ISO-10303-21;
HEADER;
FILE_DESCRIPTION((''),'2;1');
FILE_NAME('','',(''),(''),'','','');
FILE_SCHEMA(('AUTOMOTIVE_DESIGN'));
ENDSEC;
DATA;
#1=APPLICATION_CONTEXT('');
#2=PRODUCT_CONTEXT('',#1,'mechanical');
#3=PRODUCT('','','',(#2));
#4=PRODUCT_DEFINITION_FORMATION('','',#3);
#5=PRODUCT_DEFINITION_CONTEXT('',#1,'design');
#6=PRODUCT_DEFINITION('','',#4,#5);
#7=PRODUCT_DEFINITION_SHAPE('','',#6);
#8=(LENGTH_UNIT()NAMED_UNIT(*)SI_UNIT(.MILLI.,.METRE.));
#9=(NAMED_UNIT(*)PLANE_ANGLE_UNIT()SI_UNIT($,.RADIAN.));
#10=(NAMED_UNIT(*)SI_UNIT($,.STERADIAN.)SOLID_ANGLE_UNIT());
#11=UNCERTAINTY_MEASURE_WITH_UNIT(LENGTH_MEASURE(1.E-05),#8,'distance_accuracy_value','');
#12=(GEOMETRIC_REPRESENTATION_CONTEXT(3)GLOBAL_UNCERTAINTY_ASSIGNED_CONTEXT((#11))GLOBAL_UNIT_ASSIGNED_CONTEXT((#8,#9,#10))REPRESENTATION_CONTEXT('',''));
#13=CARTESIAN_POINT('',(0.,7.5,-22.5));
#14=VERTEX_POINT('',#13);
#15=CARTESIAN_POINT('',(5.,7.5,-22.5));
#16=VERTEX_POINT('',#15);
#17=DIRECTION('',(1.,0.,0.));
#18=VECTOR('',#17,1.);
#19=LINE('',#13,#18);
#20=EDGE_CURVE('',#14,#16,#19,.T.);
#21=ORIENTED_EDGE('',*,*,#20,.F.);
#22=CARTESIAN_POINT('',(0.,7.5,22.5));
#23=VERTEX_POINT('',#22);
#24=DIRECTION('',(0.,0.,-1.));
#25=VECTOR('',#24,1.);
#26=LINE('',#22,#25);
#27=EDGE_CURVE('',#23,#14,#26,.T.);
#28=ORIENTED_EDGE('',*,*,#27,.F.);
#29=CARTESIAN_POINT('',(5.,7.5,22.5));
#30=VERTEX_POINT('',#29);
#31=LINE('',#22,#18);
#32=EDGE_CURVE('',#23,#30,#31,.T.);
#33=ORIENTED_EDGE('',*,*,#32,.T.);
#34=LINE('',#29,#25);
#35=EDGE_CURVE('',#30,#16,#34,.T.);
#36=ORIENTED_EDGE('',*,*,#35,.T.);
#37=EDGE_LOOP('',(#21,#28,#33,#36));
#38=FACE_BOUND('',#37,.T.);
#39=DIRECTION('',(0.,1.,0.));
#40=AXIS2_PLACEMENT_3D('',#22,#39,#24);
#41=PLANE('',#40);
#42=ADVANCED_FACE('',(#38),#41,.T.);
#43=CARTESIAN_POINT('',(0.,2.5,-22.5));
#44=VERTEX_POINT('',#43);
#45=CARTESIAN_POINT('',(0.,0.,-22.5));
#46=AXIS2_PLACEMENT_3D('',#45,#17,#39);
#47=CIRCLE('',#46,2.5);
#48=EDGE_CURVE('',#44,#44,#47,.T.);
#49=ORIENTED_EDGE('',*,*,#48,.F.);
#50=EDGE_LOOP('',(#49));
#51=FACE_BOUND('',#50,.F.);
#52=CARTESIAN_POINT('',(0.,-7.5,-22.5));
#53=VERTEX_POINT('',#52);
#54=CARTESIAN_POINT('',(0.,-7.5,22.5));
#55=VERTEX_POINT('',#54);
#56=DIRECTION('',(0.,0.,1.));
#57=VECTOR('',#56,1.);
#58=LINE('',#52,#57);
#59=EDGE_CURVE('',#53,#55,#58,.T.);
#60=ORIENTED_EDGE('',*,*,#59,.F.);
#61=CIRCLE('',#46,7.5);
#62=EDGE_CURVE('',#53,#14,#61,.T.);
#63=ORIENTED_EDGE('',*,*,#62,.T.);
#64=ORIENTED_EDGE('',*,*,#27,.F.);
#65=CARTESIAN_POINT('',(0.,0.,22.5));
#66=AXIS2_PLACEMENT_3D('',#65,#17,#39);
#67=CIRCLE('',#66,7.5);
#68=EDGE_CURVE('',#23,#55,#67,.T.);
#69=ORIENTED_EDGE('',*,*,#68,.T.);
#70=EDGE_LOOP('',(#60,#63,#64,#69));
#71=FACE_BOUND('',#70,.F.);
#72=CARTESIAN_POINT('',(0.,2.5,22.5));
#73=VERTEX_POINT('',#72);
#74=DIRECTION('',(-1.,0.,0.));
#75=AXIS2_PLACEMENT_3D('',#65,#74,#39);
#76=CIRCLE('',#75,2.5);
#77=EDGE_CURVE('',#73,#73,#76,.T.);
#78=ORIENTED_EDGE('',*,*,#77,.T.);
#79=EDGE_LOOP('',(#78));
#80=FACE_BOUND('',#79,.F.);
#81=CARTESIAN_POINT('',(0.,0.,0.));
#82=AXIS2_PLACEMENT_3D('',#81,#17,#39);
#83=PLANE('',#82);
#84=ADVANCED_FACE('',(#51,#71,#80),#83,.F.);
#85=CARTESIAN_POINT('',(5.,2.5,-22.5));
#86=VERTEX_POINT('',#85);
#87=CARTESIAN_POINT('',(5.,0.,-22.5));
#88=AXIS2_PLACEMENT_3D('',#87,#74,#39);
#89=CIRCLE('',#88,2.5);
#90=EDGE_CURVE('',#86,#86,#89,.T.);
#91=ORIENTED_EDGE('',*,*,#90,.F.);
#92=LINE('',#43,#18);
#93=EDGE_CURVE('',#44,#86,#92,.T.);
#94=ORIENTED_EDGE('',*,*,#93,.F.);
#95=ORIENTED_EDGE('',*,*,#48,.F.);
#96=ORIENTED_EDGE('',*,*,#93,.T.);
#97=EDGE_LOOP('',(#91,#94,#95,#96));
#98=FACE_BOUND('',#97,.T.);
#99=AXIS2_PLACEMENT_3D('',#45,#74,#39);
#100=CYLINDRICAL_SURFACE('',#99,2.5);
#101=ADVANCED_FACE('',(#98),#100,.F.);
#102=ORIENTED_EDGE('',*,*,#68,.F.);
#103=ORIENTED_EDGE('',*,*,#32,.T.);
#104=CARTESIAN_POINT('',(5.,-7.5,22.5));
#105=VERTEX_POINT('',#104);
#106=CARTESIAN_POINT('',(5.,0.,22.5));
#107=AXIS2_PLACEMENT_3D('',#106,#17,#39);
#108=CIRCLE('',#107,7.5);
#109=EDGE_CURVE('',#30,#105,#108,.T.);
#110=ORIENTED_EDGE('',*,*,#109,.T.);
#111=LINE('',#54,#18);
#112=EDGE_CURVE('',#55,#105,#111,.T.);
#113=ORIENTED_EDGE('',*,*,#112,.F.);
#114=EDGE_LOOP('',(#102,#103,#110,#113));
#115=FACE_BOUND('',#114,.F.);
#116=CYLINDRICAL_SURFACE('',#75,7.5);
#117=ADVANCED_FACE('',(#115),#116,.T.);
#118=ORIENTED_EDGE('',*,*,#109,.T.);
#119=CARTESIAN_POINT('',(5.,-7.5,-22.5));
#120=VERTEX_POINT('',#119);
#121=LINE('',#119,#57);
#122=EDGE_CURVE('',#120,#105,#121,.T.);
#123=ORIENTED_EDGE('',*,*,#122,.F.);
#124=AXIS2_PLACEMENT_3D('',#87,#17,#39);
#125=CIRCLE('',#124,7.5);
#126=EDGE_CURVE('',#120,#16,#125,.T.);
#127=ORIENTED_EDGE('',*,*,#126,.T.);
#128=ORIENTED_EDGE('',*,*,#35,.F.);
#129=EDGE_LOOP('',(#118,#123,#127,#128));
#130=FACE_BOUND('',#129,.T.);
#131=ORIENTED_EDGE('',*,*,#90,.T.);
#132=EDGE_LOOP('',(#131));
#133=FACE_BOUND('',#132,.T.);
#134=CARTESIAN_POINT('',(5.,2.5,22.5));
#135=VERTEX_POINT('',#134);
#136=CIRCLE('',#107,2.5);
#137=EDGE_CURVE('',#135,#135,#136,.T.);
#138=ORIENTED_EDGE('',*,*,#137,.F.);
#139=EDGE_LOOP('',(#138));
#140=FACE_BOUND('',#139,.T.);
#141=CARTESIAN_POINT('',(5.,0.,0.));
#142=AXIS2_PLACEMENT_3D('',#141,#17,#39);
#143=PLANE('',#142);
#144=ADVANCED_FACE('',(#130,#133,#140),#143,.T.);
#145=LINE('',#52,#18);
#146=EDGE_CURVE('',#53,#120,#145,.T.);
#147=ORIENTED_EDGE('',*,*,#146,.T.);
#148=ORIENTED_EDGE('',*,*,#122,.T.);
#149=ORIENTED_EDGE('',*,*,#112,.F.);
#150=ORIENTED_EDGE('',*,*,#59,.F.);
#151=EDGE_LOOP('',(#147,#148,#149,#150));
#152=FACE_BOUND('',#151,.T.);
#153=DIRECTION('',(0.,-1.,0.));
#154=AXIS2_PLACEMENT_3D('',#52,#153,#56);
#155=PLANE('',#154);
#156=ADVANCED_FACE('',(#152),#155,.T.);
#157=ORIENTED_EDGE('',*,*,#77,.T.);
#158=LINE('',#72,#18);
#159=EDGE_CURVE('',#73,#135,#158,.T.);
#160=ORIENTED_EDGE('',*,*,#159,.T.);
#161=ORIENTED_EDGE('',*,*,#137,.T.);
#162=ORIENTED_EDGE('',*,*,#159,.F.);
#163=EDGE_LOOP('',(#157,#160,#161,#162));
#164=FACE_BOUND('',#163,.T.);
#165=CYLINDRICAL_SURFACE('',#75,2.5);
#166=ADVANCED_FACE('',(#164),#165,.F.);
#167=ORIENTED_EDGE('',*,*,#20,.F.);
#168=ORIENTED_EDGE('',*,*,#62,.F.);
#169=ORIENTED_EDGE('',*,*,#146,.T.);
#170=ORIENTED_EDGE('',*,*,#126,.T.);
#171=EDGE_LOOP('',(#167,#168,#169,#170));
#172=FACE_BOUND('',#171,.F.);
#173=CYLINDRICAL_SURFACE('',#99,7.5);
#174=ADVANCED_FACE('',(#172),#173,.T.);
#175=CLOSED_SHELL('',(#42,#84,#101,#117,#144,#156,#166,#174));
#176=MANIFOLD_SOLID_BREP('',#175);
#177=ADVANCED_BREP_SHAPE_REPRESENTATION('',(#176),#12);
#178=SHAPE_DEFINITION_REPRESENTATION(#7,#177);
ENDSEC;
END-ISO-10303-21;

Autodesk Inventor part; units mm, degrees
ref_plane "YZ Plane" through (0, 0, 0) normal (1, 0, 0) x (0, 1, 0)
ref_plane "XZ Plane" through (0, 0, 0) normal (0, 1, 0) x (-1, 0, 0)
ref_plane "XY Plane" through (0, 0, 0) normal (0, 0, 1) x (1, 0, 0)
sketch "Sketch1" plane through (0, 0, 0) normal (1, 0, 0) x (0, 1, 0)
  line L0 (-7.5, 22.5) -> (7.5, 22.5)
  line L1 (7.5, 22.5) -> (7.5, -22.5)
  line L2 (7.5, -22.5) -> (-7.5, -22.5)
  line L3 (-7.5, -22.5) -> (-7.5, 22.5)
  line L4 (-7.5, 22.5) -> (7.5, -22.5) construction
  line L5 (7.5, 22.5) -> (-7.5, -22.5) construction
  circle A0 centre (0, 22.5) radius 7.5
  circle A1 centre (0, -22.5) radius 7.5
  circle A2 centre (0, -22.5) radius 2.5
  circle A3 centre (0, 22.5) radius 2.5
  point P0 (0, 0)
  point P1 (-7.5, 22.5)
  point P2 (-7.5, -22.5)
  dimension "d0" = 15
  dimension "d1" = 5
  dimension "d2" = 5
  dimension "d3" = 45
extrude "Extrusion1" add sketch "Sketch1" along normal blind 5 contours A3 L0 A0 | L0 A0 A3 | L1 A1 L3 A0 | A1 L2 A2 | L2 A2 A1
properties part number "scissor-link-upper"
